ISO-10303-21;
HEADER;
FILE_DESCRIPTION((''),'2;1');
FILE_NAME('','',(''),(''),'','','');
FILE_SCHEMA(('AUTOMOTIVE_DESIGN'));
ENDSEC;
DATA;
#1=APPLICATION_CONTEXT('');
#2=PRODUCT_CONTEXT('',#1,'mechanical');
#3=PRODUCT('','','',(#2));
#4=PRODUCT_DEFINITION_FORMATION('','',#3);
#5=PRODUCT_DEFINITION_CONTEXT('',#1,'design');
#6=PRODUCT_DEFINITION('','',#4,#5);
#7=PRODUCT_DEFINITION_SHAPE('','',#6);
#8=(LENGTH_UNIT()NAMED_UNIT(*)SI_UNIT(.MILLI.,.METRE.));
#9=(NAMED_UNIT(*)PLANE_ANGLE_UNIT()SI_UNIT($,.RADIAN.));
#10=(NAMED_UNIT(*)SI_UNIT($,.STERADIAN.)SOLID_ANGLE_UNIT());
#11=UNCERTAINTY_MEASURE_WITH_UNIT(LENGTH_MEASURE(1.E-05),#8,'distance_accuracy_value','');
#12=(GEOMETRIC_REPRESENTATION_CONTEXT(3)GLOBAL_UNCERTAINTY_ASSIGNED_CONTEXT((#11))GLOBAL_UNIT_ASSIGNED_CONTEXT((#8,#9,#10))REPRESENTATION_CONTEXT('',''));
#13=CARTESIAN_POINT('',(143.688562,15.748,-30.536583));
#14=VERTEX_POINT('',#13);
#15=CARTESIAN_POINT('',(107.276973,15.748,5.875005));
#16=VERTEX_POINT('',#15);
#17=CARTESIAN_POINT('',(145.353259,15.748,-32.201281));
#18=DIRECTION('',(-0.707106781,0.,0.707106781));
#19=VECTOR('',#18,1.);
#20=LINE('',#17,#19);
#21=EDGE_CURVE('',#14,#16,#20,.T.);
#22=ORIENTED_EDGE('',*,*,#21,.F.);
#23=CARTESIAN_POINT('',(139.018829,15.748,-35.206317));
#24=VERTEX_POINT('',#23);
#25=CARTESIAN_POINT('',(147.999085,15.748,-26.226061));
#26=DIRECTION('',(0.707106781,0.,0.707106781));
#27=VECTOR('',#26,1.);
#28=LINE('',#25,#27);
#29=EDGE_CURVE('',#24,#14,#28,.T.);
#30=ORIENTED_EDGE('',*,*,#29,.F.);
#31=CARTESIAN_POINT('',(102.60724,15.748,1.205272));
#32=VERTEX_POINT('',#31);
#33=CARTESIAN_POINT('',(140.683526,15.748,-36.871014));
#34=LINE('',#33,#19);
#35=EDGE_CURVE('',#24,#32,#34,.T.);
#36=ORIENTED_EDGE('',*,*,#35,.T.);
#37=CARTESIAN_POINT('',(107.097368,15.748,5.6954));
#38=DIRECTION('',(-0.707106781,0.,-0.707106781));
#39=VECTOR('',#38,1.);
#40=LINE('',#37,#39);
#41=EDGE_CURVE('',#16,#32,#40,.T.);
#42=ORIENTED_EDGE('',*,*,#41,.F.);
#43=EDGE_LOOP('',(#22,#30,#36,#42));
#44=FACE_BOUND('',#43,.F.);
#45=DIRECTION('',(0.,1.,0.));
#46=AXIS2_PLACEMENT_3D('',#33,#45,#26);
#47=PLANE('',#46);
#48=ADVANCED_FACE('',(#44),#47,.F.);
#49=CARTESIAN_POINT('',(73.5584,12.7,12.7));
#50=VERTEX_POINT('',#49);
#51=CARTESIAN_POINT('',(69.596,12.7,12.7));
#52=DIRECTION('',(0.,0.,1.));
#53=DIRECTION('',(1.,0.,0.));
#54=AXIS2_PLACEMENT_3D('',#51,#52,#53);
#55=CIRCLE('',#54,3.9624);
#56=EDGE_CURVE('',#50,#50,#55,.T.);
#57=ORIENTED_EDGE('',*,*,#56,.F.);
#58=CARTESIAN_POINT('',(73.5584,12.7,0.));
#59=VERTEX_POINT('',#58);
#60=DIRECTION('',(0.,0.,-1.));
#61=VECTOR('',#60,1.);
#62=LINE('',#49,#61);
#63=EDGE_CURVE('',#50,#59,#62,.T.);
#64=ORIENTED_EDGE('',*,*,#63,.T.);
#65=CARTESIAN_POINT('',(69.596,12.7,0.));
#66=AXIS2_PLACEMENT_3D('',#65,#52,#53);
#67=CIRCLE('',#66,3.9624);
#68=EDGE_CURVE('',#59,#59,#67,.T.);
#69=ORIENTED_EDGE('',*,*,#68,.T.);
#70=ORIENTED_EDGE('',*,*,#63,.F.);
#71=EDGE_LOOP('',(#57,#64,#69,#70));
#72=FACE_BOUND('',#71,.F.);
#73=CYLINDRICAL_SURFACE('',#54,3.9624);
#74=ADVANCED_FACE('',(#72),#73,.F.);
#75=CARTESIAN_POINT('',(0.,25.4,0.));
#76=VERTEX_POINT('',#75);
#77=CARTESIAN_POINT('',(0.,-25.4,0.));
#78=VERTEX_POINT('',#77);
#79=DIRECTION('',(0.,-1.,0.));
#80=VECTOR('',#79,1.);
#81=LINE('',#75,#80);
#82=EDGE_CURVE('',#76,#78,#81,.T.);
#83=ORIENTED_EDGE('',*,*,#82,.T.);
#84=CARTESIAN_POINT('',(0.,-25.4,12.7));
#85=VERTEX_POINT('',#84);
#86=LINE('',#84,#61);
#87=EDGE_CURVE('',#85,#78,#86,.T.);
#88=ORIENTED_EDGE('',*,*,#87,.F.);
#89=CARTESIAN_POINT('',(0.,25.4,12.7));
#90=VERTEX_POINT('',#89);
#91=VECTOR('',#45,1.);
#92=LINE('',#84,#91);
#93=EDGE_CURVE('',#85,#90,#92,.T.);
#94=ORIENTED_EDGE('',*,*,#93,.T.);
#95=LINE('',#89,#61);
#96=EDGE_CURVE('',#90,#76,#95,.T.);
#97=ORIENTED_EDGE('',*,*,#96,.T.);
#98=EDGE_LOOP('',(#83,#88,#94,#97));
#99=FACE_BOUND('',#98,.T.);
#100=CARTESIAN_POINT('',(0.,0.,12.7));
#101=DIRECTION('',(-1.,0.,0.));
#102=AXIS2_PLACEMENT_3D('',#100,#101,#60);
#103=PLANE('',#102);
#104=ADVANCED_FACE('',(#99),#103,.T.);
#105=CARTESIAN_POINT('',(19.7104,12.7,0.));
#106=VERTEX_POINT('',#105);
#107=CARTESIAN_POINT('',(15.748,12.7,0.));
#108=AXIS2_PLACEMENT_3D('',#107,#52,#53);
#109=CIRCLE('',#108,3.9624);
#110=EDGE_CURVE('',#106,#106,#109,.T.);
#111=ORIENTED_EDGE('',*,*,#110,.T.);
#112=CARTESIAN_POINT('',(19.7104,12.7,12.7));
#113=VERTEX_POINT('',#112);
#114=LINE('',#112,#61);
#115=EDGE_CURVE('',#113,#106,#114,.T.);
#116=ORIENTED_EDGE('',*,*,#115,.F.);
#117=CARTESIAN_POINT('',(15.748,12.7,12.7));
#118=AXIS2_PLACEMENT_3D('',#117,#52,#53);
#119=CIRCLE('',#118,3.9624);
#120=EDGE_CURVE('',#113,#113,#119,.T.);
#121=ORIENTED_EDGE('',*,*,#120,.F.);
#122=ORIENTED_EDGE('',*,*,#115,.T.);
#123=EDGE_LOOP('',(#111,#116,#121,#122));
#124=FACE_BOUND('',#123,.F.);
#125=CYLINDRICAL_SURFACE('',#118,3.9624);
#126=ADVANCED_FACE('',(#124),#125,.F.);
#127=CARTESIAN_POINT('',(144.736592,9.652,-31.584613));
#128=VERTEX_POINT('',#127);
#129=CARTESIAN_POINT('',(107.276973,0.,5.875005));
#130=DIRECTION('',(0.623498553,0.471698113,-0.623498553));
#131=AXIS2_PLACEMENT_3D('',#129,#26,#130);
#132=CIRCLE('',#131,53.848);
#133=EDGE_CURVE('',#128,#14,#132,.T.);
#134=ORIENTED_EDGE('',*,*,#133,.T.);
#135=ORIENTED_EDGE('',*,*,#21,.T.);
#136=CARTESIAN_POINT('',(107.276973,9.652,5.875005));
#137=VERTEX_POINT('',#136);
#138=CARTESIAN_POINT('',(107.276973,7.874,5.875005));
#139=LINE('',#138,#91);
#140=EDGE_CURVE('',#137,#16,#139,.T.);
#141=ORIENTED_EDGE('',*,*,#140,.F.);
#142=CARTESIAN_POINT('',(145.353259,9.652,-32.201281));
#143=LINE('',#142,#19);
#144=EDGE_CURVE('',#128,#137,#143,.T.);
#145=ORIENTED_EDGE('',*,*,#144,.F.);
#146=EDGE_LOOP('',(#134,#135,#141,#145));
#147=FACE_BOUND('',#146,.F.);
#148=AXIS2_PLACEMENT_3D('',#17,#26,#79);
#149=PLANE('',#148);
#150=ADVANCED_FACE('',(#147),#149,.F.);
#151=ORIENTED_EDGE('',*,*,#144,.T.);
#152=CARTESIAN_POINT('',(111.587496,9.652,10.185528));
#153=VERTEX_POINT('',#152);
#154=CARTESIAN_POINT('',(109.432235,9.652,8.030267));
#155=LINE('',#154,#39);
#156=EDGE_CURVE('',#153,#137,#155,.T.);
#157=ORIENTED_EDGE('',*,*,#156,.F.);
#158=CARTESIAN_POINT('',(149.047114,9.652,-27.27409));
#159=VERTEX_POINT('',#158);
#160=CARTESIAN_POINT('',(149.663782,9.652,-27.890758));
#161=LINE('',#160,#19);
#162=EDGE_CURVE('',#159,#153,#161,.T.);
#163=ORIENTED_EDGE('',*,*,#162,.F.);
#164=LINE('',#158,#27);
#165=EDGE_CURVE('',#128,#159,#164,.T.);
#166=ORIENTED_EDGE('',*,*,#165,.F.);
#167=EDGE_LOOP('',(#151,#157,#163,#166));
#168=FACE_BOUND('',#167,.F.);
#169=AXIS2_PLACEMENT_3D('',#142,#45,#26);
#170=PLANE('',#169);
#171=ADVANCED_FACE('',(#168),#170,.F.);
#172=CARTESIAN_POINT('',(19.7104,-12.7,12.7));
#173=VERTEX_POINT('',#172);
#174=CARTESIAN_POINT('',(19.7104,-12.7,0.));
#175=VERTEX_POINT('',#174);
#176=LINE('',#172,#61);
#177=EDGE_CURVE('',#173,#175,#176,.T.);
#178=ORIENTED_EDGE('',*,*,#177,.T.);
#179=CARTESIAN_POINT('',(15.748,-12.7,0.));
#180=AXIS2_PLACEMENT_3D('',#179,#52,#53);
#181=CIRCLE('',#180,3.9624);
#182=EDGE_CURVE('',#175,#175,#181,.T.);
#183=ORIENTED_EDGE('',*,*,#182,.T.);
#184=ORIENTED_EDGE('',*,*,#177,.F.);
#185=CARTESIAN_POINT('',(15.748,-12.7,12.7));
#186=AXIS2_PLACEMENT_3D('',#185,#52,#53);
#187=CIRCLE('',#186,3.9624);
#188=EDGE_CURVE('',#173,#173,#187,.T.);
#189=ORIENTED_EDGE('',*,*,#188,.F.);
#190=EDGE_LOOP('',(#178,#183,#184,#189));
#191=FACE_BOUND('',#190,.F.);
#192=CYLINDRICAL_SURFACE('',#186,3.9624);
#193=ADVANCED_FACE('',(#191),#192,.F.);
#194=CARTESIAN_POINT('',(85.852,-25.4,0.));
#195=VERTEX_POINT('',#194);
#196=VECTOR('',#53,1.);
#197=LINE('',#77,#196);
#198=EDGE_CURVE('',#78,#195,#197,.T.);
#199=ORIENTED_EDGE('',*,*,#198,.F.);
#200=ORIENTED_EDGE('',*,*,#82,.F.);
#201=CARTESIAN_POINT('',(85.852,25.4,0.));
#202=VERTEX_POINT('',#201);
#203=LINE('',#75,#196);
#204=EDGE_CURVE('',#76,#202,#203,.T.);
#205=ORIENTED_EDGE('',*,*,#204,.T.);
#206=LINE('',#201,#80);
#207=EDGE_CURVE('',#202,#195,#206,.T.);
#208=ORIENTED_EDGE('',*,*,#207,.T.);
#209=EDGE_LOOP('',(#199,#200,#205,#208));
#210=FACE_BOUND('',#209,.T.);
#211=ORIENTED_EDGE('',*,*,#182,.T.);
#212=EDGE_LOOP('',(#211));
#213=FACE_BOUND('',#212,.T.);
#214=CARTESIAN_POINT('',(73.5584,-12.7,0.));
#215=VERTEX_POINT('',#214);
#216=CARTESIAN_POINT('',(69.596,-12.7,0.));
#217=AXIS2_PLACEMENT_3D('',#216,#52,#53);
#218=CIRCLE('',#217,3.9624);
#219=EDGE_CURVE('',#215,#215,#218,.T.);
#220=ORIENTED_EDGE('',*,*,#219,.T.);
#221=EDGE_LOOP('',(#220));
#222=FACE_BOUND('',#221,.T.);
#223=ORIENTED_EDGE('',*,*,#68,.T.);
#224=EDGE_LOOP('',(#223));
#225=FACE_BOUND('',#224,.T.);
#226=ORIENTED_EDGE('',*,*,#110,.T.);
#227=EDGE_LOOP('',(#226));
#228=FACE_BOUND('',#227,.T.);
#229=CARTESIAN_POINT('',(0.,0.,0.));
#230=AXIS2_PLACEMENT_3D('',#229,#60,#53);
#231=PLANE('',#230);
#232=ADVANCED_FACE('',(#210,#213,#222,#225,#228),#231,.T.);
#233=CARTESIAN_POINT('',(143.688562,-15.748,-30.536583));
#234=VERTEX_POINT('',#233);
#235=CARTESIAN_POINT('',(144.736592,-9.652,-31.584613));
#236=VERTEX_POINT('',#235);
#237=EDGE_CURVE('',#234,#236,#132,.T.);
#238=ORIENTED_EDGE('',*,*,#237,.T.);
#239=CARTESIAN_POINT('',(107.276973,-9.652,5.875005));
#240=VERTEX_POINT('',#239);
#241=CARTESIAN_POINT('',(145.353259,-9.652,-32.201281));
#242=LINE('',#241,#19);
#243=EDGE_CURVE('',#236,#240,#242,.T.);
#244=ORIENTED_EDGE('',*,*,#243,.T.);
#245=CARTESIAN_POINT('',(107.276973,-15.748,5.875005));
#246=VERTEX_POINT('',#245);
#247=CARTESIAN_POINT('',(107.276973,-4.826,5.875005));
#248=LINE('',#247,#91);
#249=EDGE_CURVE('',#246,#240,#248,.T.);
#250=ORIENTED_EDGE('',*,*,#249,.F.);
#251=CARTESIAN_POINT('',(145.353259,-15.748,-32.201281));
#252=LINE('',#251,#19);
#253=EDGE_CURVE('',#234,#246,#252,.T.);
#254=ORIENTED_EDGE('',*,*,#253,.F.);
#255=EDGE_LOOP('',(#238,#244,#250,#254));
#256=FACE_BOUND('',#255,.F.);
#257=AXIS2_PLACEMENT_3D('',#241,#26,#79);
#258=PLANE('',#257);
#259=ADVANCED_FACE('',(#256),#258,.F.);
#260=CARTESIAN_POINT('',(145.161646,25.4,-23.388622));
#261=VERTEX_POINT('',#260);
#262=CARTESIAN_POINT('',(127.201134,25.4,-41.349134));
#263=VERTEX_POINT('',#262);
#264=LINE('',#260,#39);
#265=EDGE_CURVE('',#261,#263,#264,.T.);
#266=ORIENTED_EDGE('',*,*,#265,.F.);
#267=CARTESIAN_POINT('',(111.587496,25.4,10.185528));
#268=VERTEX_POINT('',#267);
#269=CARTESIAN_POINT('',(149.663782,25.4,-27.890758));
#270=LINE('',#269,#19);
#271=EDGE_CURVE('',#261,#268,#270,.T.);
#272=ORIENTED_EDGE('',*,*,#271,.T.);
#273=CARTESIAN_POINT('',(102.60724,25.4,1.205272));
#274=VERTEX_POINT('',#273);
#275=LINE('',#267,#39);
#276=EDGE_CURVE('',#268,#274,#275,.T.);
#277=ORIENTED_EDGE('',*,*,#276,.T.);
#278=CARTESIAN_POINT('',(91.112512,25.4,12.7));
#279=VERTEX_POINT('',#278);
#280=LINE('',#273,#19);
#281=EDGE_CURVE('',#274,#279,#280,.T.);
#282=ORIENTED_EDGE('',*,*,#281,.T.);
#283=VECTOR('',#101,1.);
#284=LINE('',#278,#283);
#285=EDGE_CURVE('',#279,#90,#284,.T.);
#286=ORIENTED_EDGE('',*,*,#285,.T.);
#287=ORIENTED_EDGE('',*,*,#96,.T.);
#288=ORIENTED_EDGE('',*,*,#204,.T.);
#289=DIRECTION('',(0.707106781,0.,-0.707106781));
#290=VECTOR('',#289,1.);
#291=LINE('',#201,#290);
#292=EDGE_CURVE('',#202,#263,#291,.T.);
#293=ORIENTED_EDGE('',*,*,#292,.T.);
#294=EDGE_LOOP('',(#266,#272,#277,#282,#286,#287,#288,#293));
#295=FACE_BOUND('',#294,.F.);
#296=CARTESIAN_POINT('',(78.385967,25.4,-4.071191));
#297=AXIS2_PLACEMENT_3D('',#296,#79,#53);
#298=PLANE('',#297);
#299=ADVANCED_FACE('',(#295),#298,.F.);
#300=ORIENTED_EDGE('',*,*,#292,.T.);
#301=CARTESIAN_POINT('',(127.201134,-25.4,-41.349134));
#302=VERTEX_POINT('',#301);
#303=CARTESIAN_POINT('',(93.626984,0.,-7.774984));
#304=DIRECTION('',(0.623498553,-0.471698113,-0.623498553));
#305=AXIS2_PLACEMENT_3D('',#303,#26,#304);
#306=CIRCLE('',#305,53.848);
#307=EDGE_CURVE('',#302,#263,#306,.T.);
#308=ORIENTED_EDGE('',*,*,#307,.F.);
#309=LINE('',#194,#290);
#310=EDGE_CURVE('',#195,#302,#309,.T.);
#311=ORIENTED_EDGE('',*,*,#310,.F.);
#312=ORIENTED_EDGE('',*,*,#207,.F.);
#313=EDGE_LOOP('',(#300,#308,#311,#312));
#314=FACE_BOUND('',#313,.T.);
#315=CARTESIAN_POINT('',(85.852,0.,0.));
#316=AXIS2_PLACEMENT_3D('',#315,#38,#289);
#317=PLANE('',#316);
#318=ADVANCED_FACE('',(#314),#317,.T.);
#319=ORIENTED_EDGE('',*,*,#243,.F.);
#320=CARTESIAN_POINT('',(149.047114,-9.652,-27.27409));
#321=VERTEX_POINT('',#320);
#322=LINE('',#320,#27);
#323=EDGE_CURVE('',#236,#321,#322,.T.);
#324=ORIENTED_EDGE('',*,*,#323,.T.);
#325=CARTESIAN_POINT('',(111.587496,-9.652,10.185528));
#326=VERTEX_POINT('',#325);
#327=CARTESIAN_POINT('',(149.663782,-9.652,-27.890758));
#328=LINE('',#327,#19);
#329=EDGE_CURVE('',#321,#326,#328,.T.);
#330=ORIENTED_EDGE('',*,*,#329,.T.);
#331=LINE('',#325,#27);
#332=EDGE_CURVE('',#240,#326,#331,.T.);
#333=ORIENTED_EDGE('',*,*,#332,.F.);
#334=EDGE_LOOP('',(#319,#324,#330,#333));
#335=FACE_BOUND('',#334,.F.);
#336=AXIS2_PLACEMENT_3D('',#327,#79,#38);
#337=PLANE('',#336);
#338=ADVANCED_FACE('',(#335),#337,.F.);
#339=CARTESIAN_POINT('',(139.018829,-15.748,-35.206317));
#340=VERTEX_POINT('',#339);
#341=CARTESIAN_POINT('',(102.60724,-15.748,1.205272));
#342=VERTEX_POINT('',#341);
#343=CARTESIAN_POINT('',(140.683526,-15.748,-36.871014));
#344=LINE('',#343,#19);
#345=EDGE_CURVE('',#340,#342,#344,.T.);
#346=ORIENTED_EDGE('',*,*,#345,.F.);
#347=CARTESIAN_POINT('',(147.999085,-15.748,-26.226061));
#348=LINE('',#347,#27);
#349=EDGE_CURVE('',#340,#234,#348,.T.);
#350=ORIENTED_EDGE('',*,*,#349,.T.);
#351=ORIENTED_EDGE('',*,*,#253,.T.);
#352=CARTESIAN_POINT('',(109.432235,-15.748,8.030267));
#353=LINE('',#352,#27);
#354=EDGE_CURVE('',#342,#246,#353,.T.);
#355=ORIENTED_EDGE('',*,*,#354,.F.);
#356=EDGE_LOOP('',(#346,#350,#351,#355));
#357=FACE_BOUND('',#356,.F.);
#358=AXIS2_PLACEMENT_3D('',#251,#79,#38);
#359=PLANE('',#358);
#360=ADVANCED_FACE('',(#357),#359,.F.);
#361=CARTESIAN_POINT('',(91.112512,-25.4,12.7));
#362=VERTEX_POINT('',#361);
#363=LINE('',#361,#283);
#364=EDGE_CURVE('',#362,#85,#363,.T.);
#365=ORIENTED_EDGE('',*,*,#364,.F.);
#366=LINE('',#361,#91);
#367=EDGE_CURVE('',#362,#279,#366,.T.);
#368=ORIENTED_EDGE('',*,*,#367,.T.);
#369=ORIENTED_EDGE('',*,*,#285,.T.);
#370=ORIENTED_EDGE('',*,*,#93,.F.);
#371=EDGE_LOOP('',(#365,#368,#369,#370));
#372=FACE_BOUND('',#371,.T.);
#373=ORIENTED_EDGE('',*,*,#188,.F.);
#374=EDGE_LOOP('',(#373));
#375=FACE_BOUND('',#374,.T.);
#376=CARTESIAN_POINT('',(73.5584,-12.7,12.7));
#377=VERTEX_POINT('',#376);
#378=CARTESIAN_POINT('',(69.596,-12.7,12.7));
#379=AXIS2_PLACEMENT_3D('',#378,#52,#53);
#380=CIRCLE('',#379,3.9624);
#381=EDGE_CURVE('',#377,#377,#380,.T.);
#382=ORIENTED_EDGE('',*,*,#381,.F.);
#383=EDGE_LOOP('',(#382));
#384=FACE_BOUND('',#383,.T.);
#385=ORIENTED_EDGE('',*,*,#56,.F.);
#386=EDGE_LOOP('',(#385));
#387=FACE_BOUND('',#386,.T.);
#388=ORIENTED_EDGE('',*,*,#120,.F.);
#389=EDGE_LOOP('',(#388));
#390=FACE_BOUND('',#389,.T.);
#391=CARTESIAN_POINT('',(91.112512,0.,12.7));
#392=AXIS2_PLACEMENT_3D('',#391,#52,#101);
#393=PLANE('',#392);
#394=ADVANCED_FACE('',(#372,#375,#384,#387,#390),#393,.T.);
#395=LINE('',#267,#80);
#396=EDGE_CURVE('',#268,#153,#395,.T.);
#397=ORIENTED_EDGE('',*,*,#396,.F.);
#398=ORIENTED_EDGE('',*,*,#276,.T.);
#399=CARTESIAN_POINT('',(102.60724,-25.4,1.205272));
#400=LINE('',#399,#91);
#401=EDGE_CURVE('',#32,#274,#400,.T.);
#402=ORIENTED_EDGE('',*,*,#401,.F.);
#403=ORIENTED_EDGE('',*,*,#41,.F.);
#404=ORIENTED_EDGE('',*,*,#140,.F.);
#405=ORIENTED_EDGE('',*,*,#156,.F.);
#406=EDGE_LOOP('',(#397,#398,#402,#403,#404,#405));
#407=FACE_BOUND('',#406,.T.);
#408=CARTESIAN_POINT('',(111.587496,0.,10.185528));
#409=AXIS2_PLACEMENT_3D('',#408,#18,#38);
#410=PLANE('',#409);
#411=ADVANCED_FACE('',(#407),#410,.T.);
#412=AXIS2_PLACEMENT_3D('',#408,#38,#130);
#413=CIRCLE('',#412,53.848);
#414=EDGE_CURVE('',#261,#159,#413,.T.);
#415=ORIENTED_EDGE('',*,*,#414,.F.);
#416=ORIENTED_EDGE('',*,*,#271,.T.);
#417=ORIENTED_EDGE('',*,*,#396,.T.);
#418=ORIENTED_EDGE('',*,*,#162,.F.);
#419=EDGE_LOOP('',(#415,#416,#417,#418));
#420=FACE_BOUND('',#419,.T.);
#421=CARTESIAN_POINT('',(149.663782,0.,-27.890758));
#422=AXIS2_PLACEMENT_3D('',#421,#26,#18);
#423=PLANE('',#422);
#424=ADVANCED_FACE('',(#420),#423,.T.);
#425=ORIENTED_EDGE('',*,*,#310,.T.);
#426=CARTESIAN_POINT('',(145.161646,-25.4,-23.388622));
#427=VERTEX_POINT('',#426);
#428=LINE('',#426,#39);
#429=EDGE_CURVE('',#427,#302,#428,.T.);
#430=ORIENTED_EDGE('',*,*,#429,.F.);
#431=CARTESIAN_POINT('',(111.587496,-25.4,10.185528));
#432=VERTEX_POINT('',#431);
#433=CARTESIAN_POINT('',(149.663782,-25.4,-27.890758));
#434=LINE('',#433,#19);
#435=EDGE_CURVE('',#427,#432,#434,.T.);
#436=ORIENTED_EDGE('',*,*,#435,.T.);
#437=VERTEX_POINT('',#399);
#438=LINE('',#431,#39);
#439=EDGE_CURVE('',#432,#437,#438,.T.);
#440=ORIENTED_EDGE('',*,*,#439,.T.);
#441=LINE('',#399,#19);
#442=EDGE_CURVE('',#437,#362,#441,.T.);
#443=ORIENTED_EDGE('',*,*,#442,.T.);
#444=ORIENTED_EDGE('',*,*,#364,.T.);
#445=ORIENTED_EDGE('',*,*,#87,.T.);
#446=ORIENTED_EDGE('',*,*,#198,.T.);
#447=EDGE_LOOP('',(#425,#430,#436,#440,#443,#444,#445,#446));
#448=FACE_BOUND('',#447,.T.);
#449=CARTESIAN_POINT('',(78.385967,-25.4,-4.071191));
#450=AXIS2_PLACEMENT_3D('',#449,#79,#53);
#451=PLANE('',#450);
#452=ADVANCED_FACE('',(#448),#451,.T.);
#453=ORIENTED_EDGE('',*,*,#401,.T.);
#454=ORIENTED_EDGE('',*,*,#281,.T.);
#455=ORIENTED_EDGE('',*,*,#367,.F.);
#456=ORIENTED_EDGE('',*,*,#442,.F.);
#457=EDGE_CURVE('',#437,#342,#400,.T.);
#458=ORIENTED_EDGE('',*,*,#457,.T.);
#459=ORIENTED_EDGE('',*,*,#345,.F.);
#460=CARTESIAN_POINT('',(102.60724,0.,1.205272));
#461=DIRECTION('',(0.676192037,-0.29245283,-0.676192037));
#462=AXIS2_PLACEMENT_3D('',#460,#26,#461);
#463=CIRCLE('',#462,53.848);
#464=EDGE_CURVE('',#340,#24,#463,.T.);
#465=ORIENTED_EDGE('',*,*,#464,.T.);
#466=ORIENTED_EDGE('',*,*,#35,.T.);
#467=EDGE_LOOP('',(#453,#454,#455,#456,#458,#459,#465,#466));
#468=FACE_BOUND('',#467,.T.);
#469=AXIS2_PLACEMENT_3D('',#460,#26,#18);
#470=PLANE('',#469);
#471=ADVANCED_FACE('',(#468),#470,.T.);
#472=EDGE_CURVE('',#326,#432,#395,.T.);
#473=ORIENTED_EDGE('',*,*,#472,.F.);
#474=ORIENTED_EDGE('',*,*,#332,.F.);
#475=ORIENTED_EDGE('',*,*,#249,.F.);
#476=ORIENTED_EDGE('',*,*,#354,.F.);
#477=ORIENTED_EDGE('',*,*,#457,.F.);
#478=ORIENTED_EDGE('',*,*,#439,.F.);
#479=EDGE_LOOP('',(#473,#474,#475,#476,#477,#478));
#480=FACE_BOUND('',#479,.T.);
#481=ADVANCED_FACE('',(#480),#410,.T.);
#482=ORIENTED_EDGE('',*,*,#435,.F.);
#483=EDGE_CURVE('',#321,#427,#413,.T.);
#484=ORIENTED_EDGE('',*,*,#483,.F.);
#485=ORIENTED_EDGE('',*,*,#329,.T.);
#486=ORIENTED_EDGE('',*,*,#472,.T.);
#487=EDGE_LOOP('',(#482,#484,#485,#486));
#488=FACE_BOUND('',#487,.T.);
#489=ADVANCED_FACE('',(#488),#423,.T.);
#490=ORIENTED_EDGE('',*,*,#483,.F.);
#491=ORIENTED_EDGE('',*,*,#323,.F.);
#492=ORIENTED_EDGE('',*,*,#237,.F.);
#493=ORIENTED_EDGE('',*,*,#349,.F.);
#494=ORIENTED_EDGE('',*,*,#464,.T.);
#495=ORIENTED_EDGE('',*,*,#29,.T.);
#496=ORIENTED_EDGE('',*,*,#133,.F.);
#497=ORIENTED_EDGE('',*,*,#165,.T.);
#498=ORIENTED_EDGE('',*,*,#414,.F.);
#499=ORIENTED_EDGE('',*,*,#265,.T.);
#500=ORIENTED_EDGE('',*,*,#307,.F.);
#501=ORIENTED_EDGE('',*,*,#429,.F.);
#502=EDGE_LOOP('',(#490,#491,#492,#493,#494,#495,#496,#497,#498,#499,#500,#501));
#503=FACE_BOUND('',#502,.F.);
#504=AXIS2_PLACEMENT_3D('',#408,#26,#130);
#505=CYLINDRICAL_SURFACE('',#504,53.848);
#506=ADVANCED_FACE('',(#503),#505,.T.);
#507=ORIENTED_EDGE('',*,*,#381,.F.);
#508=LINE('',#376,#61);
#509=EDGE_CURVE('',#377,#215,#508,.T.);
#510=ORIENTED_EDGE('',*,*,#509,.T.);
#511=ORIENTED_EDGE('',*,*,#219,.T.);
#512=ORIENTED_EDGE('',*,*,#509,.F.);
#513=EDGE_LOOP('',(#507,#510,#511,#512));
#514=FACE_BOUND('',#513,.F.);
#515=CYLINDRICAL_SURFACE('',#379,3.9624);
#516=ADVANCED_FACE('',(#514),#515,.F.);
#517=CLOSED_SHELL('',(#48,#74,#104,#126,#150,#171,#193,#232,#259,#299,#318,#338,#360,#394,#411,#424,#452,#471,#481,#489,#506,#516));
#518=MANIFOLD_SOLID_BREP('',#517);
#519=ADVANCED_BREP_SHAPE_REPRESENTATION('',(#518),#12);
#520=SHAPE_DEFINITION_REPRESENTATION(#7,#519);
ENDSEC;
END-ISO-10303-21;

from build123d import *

# Parameters (mm, degrees)
F1_DEPTH = 25.4
F3_DEPTH = 134.5312752574
F5_DEPTH = 118.5292752574
F6_R     = 3.9624
F7_DEPTH = 58.5522699094


with BuildPart() as f1:
    # F0 (on Front) → F1 (new body, symmetric)
    with BuildSketch(Plane.XZ):
        Polygon((0, 12.7), (0, 0), (85.852, 0), (131.7032699094, -45.8512699094), (149.6637821515, -27.8907576672), (111.5874961982, 10.1855282861), (102.6072400771, 1.205272165), (91.1125122421, 12.7), align=None)
    extrude(amount=F1_DEPTH, both=True)

    # F2 (on face) → F3 (cut, through all)
    with BuildSketch(Plane(origin=(88.7772699094, 0, -88.7772699094), x_dir=(0, 1, 0), z_dir=(0.7071067812, 0, -0.7071067812))):
        Polygon((9.652, 86.1065313784), (-9.652, 86.1065313784), (-9.652, 80.0105313784), (-15.748, 80.0105313784), (-15.748, 73.4065313784), (15.748, 73.4065313784), (15.748, 80.0105313784), (9.652, 80.0105313784), align=None)
    extrude(amount=-F3_DEPTH, mode=Mode.SUBTRACT)

    # F4 (on face) → F5 (cut, through all)
    with BuildSketch(Plane(origin=(60.8865122421, 0, 60.8865122421), x_dir=(0.7071067812, 0, -0.7071067812), z_dir=(0.7071067812, 0, 0.7071067812))):
        with BuildLine():
            ThreePointArc((119.183037491, 25.4), (125.5500191363, 0), (119.183037491, -25.4))
            Line((119.183037491, -25.4), (119.183037491, -33.2152206612))
            Line((119.183037491, -33.2152206612), (139.840820311, -33.2152206612))
            Line((139.840820311, -33.2152206612), (139.840820311, 34.853566438))
            Line((139.840820311, 34.853566438), (119.183037491, 34.853566438))
            Line((119.183037491, 34.853566438), (119.183037491, 25.4))
        make_face()
    extrude(amount=-F5_DEPTH, mode=Mode.SUBTRACT)

    # F6 (on face) → F7 (cut, through all)
    with BuildSketch(Plane.XY.offset(12.7)):
        with Locations((15.748, 12.7)):
            Circle(F6_R)
        with Locations((15.748, -12.7)):
            Circle(F6_R)
        with Locations((69.596, -12.7)):
            Circle(F6_R)
        with Locations((69.596, 12.7)):
            Circle(F6_R)
    extrude(amount=-F7_DEPTH, mode=Mode.SUBTRACT)


solid = f1.part
